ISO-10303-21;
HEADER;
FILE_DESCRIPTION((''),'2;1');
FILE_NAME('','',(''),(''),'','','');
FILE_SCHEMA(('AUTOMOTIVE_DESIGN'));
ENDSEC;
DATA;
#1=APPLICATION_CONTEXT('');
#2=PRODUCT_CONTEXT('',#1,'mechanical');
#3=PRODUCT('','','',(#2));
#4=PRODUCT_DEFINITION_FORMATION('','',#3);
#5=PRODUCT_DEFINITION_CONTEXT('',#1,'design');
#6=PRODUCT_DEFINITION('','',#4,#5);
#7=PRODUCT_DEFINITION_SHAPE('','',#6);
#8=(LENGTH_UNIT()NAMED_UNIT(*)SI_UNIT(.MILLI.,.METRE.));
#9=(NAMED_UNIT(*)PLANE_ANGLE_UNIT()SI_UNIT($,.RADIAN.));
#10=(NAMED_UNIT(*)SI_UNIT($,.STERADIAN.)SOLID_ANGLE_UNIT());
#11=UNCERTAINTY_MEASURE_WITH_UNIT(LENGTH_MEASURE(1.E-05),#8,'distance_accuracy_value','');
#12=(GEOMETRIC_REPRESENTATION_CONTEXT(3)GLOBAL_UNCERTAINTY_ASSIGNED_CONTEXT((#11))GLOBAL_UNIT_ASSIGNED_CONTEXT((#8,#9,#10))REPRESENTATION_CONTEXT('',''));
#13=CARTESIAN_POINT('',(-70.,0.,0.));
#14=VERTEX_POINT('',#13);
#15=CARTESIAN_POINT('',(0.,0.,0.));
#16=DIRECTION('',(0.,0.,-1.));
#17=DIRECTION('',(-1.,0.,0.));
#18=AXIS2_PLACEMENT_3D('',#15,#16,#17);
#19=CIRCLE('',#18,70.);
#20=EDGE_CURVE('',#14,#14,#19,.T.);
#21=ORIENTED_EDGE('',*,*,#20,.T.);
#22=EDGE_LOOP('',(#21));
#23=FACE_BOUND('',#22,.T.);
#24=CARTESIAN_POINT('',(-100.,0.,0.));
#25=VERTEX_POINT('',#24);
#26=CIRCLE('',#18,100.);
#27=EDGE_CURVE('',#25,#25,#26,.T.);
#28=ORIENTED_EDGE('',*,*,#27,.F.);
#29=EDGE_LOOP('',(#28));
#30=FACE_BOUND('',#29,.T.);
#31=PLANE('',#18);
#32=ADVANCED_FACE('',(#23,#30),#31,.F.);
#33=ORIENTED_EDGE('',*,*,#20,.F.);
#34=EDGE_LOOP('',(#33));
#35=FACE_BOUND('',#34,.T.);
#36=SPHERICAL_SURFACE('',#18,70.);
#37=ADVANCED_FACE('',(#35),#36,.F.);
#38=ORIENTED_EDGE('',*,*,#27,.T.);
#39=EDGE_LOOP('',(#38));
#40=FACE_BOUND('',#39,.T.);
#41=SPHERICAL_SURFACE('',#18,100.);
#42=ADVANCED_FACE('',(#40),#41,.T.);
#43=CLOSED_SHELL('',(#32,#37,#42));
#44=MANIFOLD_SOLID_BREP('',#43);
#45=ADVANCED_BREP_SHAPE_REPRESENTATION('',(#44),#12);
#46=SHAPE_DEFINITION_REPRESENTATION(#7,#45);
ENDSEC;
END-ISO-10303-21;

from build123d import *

# Parameters (mm, degrees)
REVOLVE_1_ANGLE = 180


with BuildPart() as part:
    # ｽｹｯﾁ1 → 回転1 (revolve)
    with BuildSketch(Plane.XY):
        with BuildLine():
            Line((0, 70), (0, 100))
            ThreePointArc((0, 100), (-100, 0), (0, -100))
            Line((0, -100), (0, -70))
            ThreePointArc((0, -70), (-70, 0), (0, 70))
        make_face()
    revolve(axis=Axis((0, 100, 0), (0, -1, 0)), revolution_arc=REVOLVE_1_ANGLE)


solid = part.part
